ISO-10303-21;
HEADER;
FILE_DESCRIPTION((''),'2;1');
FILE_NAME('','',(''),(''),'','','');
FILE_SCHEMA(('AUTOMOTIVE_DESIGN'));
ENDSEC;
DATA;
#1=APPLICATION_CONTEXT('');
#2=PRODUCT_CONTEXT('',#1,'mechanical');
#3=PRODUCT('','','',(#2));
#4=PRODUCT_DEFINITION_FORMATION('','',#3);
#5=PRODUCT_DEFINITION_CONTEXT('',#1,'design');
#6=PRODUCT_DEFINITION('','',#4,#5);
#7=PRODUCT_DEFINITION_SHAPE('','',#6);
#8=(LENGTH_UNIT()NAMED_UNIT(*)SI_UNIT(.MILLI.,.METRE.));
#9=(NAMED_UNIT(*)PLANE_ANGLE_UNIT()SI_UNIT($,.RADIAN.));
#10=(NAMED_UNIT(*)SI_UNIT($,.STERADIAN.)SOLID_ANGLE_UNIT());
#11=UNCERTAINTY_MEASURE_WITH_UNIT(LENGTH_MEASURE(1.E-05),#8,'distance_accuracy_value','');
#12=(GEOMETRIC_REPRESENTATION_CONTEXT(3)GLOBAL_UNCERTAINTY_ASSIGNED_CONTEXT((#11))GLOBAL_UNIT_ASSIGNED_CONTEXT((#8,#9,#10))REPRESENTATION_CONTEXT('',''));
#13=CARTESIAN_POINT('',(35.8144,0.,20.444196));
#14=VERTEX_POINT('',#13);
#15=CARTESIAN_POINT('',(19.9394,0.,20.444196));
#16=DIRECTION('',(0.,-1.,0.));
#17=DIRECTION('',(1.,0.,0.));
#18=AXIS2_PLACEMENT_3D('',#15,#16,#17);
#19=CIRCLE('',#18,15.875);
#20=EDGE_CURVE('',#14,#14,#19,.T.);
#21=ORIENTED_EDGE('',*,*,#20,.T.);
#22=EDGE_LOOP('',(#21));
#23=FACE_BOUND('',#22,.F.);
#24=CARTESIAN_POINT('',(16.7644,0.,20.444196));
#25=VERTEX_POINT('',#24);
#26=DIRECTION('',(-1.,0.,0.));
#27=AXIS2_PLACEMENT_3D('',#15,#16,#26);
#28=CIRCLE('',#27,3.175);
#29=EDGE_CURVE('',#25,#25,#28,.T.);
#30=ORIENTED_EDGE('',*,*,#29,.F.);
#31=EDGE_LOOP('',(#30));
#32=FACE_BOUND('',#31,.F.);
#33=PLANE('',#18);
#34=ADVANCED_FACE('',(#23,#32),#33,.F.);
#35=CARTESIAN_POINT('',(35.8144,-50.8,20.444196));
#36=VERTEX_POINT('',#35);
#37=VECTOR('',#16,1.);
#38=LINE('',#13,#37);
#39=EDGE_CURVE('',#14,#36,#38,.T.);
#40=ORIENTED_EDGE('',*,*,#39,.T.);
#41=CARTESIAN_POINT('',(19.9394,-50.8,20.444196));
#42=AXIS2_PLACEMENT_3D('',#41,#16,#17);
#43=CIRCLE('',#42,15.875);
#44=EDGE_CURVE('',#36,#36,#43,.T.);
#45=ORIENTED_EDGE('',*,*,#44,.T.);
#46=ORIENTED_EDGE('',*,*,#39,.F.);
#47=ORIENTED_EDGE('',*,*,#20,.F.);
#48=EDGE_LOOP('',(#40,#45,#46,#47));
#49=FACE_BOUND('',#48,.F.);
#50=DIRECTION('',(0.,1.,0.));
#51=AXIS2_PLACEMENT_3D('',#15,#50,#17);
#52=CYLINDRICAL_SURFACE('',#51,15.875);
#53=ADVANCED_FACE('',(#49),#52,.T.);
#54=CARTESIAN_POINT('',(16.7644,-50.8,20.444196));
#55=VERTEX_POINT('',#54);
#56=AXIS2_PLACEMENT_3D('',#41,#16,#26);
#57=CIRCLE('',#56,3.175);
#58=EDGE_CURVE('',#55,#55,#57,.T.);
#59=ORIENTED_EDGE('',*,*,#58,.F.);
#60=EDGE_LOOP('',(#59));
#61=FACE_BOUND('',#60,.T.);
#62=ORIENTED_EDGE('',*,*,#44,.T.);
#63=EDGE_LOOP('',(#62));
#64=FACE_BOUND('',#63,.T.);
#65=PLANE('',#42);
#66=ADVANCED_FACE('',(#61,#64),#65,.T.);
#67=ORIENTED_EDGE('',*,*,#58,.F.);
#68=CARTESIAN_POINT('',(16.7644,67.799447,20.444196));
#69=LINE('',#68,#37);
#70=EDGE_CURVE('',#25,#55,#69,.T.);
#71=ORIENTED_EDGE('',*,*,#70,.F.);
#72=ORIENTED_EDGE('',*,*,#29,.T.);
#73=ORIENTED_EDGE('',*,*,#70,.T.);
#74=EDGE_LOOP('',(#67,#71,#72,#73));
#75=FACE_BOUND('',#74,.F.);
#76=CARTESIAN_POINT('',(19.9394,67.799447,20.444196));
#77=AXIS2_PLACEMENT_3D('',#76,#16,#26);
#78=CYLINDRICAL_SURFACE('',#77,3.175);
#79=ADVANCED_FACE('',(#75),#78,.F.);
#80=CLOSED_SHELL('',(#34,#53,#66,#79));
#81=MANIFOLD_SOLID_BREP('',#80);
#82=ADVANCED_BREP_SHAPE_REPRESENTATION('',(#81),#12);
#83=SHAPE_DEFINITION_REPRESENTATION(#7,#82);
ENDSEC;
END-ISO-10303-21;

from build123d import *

# Parameters (mm, degrees)
F0_R     = 15.875
F1_DEPTH = 50.8
F2_D     = 6.35


with BuildPart() as f1:
    # F0 (on Front) → F1 (new body)
    with BuildSketch(Plane.XZ):
        with Locations((19.9394002557, 20.4441957176)):
            Circle(F0_R)
    extrude(amount=F1_DEPTH)

    # F2 (through all)
    with Locations(Plane(origin=(0, 0, 0), x_dir=(1, 0, 0), z_dir=(0, 1, 0))):
        with Locations((19.9394002557, -20.4441957176)):
            Hole(F2_D / 2)


solid = f1.part
